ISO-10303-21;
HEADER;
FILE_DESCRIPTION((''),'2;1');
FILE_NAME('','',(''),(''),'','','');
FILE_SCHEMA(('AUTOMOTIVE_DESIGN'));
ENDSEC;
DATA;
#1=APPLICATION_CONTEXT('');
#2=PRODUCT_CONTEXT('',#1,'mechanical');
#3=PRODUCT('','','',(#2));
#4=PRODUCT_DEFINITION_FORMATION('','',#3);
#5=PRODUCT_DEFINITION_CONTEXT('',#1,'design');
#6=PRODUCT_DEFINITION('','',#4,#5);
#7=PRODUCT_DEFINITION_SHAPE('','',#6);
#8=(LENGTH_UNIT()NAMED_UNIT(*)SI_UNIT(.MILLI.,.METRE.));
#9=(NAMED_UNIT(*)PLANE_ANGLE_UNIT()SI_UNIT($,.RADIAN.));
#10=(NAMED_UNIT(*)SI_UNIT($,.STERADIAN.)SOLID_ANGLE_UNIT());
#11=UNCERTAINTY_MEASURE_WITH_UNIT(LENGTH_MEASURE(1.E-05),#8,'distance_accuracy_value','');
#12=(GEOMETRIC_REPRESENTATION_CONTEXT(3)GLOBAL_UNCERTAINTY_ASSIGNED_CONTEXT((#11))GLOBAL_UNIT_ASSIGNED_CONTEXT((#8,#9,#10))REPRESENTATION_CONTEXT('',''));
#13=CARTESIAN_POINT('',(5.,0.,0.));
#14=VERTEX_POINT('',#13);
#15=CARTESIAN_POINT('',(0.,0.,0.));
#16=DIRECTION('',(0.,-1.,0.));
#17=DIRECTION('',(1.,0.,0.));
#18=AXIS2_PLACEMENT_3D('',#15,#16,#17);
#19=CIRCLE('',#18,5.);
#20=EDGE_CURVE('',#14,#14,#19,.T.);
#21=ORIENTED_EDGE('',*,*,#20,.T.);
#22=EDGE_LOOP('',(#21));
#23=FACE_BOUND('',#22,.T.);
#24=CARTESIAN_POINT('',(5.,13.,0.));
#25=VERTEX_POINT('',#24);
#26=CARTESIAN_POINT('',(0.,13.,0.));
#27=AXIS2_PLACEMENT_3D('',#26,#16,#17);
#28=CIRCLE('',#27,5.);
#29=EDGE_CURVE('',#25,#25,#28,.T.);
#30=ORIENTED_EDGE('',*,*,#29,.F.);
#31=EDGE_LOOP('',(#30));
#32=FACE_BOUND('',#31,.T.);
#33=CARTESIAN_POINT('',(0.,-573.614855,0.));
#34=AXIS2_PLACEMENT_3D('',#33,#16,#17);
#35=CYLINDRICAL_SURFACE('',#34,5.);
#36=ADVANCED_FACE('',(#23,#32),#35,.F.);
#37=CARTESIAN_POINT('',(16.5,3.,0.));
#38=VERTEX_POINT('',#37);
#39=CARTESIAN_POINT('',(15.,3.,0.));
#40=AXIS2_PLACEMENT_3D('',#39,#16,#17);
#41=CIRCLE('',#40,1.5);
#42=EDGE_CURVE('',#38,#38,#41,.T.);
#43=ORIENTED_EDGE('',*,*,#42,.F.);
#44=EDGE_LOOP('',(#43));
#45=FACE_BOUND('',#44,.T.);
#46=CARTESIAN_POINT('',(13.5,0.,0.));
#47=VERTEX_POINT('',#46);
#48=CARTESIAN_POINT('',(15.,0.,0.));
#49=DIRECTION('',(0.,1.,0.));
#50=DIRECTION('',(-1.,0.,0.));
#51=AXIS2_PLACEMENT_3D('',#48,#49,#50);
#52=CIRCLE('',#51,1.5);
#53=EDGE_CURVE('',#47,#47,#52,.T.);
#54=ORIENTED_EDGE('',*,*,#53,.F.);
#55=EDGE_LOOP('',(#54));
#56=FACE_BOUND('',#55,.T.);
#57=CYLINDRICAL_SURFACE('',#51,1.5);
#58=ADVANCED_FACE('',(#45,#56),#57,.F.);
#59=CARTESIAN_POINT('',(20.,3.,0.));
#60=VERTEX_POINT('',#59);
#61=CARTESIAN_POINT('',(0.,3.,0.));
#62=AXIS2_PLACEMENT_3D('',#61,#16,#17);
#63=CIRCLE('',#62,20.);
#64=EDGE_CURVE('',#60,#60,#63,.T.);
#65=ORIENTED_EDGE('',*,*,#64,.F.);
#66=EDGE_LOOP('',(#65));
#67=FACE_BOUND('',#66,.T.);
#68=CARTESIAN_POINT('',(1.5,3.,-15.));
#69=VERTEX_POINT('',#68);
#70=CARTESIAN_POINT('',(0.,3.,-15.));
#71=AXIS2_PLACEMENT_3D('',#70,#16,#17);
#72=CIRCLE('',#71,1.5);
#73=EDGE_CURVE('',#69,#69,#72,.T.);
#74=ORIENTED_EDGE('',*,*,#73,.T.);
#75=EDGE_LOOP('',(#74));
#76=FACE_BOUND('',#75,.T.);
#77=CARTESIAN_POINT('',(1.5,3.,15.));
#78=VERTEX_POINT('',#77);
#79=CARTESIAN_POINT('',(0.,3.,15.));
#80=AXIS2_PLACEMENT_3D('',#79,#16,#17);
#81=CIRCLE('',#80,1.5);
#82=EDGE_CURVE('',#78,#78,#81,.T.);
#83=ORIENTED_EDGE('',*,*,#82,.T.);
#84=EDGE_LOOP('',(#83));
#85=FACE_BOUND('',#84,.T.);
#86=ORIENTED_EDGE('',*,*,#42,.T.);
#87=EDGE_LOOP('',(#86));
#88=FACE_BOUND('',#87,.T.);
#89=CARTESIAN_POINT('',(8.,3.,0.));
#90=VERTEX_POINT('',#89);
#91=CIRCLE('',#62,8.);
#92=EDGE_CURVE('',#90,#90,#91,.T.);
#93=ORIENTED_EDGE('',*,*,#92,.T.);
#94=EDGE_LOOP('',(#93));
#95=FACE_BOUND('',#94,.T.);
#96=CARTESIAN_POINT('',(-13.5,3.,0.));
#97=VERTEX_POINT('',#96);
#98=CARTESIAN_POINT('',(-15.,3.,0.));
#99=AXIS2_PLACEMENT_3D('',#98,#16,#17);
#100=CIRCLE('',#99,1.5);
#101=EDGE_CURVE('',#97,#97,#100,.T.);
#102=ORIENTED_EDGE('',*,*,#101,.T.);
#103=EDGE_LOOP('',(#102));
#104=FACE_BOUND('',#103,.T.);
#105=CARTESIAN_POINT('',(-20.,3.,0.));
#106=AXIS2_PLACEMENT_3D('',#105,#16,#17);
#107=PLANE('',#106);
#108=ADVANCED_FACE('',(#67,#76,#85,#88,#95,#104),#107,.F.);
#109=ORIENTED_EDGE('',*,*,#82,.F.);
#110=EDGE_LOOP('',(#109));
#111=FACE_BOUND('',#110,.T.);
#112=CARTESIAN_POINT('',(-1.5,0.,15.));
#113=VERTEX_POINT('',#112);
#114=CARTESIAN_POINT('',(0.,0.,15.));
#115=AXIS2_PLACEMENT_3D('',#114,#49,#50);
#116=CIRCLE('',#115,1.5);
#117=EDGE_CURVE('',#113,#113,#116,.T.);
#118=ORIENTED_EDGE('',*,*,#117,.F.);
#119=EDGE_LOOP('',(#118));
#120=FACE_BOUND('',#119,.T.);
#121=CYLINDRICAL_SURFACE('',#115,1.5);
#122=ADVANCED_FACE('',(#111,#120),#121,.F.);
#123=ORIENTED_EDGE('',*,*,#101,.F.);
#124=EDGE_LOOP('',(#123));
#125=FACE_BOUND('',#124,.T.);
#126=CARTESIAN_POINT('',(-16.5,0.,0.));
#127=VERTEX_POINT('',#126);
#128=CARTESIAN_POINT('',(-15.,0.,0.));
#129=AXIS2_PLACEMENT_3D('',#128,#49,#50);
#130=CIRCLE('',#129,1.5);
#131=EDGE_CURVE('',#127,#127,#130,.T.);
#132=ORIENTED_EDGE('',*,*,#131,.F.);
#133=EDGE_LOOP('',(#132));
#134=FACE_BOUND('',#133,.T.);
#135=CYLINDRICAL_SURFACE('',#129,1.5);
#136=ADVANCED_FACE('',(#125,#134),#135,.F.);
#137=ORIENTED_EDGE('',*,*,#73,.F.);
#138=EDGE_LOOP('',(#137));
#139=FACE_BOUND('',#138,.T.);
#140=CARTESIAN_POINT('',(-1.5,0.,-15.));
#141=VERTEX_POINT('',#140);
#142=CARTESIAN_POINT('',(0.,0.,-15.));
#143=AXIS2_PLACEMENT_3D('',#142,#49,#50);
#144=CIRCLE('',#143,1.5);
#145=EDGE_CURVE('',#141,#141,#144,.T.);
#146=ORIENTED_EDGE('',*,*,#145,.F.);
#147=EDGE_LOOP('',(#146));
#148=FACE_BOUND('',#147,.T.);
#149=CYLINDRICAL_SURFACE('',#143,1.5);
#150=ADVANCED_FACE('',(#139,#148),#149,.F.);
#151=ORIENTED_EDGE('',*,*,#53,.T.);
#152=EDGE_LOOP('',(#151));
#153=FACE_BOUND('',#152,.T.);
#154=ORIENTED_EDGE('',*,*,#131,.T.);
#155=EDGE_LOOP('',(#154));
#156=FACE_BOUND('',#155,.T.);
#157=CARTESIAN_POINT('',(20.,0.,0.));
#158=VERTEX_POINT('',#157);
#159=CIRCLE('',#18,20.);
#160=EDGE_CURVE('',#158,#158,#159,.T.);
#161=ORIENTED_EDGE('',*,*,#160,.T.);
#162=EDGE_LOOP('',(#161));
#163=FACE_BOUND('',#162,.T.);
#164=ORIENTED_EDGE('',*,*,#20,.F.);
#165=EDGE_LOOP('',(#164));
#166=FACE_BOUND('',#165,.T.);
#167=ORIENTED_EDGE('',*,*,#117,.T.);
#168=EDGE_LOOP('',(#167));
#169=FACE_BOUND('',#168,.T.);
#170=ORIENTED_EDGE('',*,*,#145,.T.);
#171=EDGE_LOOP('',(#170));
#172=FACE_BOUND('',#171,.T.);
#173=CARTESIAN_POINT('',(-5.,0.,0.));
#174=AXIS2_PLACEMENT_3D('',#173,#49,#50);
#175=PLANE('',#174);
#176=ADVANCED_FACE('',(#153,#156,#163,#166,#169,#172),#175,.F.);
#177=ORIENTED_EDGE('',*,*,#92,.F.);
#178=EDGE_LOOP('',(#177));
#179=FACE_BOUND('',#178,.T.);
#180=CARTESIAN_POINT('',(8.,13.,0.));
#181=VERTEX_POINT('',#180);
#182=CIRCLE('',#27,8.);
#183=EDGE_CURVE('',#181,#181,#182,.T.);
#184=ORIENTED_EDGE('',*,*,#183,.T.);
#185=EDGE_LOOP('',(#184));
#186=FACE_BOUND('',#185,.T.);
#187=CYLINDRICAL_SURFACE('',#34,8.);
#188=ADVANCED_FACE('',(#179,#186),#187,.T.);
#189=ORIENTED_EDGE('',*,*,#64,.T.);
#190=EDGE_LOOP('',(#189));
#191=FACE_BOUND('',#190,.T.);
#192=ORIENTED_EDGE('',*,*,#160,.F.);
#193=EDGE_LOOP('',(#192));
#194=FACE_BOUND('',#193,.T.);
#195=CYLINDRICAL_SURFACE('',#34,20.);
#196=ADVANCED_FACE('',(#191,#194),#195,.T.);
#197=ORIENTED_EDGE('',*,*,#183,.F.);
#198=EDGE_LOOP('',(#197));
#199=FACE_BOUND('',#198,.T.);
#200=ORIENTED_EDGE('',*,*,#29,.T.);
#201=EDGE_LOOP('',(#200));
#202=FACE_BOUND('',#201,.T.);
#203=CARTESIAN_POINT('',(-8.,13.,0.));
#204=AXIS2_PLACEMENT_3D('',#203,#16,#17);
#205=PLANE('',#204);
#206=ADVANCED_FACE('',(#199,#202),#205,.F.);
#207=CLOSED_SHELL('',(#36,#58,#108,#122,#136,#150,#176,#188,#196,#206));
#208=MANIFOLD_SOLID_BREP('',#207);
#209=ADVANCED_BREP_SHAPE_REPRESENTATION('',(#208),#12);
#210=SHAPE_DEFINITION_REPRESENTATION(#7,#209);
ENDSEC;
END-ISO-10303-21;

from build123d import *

# Parameters (mm, degrees)
CUT_EXTRUDE_1_DEPTH      = 31
CUT_EXTRUDE_1_DEPTH_BACK = 31
SKETCH_2_R               = 1.5


with BuildPart() as part:
    # 草图1 → 旋转1 (revolve)
    with BuildSketch(Plane.XY, mode=Mode.PRIVATE) as revolve_1_sk:
        Polygon((-5, 0), (-20, 0), (-20, 3), (-8, 3), (-8, 13), (-5, 13), align=None)
    revolve(revolve_1_sk.sketch.rotate(Axis((0, -573.614855465, 0), (0, 1, 0)), 180), axis=Axis((0, -573.614855465, 0), (0, 1, 0)))

    # 草图2 → 切除-拉伸1 (cut, two sides: drawn at the far end of the back side and taken through both)
    with BuildSketch(Plane(origin=(0, 3, 0), x_dir=(1, 0, 0), z_dir=(0, 1, 0)).offset(-CUT_EXTRUDE_1_DEPTH_BACK)):
        with Locations(Location((0, 15, 0), (0, 0, 180))):
            Circle(SKETCH_2_R)
        with Locations(Location((15, 0, 0), (0, 0, 180))):
            Circle(SKETCH_2_R)
        with Locations(Location((0, -15, 0), (0, 0, 180))):
            Circle(SKETCH_2_R)
        with Locations(Location((-15, 0, 0), (0, 0, 180))):
            Circle(SKETCH_2_R)
    extrude(amount=CUT_EXTRUDE_1_DEPTH + CUT_EXTRUDE_1_DEPTH_BACK, mode=Mode.SUBTRACT)


solid = part.part
